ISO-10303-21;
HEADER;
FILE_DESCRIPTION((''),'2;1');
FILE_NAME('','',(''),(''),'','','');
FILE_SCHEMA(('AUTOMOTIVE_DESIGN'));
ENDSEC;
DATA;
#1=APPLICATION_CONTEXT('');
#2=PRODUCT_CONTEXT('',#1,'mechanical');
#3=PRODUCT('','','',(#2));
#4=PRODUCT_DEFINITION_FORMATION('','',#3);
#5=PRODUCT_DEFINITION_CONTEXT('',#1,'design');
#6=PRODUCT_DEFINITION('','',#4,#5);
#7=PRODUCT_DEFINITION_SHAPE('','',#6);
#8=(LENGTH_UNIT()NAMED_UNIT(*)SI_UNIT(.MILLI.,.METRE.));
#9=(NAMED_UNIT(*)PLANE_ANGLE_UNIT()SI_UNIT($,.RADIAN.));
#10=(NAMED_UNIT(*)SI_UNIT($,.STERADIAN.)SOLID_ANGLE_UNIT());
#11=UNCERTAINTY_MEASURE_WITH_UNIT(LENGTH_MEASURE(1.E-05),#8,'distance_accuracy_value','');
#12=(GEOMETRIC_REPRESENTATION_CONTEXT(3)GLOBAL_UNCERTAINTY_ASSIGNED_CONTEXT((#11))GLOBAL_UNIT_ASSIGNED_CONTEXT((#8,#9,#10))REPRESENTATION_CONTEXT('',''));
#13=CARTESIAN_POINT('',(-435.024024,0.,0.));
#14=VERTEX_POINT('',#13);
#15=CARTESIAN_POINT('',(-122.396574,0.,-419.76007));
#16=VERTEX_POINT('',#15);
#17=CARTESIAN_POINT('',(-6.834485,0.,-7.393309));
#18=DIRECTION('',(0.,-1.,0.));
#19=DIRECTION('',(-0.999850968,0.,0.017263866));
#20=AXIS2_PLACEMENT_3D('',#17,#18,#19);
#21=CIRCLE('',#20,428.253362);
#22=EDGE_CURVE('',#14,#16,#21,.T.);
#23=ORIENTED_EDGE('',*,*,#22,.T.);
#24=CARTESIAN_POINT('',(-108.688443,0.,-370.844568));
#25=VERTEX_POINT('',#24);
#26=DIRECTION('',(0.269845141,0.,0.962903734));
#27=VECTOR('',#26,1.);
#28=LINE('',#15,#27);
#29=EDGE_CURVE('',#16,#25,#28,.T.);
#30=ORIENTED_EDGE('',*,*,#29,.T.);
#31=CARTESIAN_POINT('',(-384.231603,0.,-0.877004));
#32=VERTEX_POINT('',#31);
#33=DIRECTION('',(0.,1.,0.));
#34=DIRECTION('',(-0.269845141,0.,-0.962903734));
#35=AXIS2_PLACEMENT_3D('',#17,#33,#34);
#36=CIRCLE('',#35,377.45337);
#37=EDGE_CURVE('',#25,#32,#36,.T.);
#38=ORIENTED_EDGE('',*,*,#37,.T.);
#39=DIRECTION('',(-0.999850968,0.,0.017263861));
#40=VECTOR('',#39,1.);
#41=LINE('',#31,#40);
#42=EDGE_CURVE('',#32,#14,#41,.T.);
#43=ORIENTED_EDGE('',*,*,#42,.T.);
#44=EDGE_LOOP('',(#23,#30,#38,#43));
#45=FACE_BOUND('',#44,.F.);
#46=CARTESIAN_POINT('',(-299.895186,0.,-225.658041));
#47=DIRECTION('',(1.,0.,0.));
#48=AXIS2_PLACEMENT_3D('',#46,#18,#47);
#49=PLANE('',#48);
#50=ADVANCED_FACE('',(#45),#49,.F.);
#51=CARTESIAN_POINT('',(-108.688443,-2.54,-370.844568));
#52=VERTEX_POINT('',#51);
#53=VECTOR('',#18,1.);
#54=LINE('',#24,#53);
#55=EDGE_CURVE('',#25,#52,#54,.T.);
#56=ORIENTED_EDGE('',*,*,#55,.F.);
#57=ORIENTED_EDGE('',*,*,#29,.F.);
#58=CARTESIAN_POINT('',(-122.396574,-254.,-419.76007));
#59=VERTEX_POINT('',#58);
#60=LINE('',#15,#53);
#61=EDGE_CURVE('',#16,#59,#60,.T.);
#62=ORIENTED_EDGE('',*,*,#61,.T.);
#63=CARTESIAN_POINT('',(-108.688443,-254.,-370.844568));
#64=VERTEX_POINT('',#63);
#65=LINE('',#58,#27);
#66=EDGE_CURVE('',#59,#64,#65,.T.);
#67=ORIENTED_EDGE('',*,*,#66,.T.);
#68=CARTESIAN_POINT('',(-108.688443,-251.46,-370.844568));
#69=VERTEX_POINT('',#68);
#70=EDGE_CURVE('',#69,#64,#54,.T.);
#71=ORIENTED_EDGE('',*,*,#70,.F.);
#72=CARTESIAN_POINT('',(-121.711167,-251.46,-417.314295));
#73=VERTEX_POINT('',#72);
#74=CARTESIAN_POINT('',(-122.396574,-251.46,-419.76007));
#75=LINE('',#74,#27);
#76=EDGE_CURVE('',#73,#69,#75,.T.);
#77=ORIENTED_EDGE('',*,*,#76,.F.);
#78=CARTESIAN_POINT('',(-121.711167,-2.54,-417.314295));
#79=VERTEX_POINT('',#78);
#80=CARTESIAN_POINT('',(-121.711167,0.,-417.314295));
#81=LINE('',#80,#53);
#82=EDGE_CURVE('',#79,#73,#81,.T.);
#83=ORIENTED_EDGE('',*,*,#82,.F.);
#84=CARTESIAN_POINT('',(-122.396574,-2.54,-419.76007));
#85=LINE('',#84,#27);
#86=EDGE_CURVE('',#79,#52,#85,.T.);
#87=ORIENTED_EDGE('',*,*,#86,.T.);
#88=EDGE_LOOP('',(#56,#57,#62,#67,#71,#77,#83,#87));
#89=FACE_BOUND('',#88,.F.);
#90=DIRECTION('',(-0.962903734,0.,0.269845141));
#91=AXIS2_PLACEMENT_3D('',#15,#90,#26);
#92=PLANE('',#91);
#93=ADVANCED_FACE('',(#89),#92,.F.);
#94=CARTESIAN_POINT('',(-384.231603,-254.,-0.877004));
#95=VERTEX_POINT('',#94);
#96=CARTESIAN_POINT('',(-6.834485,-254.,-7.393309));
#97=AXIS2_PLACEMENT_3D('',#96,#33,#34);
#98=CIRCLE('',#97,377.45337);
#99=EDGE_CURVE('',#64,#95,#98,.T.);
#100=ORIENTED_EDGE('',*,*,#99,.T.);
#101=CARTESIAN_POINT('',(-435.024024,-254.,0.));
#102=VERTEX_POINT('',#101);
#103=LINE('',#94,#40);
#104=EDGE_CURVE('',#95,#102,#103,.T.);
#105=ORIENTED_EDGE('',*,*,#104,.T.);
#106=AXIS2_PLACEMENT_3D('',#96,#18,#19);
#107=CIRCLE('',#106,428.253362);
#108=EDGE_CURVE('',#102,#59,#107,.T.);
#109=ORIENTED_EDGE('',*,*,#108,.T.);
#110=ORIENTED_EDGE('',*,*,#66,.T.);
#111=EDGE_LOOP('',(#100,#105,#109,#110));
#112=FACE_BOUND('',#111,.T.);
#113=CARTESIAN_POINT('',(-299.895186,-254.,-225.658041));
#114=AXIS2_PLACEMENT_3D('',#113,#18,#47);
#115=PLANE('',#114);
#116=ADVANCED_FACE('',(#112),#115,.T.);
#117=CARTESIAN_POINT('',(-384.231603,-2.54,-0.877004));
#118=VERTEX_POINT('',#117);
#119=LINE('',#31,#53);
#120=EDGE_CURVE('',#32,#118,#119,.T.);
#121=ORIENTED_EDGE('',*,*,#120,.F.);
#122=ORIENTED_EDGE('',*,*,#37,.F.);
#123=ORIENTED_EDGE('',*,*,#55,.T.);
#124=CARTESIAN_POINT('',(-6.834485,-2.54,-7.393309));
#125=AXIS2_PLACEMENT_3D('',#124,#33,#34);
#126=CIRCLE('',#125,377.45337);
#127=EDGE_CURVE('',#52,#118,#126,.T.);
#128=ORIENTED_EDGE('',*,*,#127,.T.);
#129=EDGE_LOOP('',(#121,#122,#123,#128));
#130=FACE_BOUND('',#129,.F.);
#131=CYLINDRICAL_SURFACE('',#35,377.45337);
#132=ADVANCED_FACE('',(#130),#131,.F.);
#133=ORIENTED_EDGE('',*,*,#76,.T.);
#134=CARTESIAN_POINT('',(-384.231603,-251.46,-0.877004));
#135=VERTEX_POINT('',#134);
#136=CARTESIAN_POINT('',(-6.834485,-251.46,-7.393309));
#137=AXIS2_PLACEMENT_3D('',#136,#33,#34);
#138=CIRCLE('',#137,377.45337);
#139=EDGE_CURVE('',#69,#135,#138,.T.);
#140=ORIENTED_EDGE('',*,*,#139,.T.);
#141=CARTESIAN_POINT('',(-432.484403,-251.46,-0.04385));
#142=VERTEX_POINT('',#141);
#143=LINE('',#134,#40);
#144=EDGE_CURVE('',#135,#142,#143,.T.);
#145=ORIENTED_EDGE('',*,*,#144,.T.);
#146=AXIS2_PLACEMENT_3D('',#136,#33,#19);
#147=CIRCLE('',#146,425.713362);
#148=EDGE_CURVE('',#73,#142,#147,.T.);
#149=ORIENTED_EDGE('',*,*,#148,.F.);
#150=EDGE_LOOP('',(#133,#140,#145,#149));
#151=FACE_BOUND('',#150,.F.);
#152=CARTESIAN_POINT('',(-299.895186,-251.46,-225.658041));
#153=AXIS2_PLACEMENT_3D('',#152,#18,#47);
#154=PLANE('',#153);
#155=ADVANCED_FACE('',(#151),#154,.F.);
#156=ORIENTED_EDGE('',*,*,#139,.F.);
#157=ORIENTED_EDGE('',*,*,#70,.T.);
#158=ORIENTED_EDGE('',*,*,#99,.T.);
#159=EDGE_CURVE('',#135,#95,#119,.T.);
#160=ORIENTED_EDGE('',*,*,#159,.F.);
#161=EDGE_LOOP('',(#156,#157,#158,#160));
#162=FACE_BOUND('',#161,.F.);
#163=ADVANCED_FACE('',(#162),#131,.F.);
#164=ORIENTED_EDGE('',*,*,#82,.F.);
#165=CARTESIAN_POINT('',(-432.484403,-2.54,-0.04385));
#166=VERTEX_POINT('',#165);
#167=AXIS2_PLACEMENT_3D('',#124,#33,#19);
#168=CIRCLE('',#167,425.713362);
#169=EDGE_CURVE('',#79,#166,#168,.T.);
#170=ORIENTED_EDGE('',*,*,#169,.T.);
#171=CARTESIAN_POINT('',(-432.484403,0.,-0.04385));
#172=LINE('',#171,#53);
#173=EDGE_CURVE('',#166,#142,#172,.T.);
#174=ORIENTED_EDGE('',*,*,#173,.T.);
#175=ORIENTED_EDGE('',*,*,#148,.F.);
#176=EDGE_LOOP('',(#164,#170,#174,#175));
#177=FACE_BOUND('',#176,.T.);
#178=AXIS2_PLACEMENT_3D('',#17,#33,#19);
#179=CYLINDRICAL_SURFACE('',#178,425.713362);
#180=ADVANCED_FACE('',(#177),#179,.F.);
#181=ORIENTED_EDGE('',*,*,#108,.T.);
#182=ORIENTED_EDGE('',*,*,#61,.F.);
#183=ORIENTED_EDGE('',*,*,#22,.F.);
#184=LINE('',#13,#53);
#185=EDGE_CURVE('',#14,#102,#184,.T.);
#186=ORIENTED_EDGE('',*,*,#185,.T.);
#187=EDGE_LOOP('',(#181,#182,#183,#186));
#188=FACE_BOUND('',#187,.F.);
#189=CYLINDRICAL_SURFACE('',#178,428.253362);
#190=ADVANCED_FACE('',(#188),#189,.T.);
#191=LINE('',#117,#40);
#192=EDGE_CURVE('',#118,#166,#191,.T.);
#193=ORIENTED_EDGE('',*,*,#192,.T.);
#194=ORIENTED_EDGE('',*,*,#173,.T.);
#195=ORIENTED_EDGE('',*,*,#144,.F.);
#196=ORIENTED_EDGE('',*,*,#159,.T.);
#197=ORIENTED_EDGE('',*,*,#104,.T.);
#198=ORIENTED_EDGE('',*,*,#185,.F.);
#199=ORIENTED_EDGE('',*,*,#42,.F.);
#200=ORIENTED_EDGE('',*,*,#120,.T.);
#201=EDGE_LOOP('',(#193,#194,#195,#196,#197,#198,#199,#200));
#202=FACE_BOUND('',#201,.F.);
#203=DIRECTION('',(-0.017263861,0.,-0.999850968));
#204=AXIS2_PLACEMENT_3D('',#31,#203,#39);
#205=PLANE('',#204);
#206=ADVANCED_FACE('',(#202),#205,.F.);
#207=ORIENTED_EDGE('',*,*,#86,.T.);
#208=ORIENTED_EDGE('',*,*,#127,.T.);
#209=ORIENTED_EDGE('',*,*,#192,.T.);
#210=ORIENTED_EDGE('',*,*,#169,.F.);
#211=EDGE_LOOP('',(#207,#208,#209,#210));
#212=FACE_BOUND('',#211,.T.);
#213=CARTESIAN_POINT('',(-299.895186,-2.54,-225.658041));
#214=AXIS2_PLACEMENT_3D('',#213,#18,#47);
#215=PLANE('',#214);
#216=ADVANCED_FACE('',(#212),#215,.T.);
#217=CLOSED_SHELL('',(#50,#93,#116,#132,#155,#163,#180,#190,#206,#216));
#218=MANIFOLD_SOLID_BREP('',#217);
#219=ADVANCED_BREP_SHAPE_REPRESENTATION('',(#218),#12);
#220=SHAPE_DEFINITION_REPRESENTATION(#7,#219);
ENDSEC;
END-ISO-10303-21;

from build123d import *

# Parameters (mm, degrees)
F1_DEPTH = 254
F2_T     = -2.54


with BuildPart() as f1:
    # F0 (on Front) → F1 (new body)
    with BuildSketch(Plane.XZ):
        with BuildLine():
            Line((-384.231603, -0.877004), (-435.024024, 0))
            ThreePointArc((-435.024024, 0), (-350.2964, -263.195684), (-122.396574, -419.76007))
            Line((-122.396574, -419.76007), (-108.688443, -370.844568))
            ThreePointArc((-108.688443, -370.844568), (-309.554484, -232.852061), (-384.231603, -0.877004))
        make_face()
    extrude(amount=F1_DEPTH)

    # F2
    f2_openings = [f1.faces().sort_by_distance(p)[0] for p in [
        (-309.554484, -127, -232.852061),
        (-115.542508, -127, -395.302319),
        (-409.627814, -127, -0.438502),
    ]]
    offset(amount=F2_T, openings=f2_openings)


solid = f1.part
